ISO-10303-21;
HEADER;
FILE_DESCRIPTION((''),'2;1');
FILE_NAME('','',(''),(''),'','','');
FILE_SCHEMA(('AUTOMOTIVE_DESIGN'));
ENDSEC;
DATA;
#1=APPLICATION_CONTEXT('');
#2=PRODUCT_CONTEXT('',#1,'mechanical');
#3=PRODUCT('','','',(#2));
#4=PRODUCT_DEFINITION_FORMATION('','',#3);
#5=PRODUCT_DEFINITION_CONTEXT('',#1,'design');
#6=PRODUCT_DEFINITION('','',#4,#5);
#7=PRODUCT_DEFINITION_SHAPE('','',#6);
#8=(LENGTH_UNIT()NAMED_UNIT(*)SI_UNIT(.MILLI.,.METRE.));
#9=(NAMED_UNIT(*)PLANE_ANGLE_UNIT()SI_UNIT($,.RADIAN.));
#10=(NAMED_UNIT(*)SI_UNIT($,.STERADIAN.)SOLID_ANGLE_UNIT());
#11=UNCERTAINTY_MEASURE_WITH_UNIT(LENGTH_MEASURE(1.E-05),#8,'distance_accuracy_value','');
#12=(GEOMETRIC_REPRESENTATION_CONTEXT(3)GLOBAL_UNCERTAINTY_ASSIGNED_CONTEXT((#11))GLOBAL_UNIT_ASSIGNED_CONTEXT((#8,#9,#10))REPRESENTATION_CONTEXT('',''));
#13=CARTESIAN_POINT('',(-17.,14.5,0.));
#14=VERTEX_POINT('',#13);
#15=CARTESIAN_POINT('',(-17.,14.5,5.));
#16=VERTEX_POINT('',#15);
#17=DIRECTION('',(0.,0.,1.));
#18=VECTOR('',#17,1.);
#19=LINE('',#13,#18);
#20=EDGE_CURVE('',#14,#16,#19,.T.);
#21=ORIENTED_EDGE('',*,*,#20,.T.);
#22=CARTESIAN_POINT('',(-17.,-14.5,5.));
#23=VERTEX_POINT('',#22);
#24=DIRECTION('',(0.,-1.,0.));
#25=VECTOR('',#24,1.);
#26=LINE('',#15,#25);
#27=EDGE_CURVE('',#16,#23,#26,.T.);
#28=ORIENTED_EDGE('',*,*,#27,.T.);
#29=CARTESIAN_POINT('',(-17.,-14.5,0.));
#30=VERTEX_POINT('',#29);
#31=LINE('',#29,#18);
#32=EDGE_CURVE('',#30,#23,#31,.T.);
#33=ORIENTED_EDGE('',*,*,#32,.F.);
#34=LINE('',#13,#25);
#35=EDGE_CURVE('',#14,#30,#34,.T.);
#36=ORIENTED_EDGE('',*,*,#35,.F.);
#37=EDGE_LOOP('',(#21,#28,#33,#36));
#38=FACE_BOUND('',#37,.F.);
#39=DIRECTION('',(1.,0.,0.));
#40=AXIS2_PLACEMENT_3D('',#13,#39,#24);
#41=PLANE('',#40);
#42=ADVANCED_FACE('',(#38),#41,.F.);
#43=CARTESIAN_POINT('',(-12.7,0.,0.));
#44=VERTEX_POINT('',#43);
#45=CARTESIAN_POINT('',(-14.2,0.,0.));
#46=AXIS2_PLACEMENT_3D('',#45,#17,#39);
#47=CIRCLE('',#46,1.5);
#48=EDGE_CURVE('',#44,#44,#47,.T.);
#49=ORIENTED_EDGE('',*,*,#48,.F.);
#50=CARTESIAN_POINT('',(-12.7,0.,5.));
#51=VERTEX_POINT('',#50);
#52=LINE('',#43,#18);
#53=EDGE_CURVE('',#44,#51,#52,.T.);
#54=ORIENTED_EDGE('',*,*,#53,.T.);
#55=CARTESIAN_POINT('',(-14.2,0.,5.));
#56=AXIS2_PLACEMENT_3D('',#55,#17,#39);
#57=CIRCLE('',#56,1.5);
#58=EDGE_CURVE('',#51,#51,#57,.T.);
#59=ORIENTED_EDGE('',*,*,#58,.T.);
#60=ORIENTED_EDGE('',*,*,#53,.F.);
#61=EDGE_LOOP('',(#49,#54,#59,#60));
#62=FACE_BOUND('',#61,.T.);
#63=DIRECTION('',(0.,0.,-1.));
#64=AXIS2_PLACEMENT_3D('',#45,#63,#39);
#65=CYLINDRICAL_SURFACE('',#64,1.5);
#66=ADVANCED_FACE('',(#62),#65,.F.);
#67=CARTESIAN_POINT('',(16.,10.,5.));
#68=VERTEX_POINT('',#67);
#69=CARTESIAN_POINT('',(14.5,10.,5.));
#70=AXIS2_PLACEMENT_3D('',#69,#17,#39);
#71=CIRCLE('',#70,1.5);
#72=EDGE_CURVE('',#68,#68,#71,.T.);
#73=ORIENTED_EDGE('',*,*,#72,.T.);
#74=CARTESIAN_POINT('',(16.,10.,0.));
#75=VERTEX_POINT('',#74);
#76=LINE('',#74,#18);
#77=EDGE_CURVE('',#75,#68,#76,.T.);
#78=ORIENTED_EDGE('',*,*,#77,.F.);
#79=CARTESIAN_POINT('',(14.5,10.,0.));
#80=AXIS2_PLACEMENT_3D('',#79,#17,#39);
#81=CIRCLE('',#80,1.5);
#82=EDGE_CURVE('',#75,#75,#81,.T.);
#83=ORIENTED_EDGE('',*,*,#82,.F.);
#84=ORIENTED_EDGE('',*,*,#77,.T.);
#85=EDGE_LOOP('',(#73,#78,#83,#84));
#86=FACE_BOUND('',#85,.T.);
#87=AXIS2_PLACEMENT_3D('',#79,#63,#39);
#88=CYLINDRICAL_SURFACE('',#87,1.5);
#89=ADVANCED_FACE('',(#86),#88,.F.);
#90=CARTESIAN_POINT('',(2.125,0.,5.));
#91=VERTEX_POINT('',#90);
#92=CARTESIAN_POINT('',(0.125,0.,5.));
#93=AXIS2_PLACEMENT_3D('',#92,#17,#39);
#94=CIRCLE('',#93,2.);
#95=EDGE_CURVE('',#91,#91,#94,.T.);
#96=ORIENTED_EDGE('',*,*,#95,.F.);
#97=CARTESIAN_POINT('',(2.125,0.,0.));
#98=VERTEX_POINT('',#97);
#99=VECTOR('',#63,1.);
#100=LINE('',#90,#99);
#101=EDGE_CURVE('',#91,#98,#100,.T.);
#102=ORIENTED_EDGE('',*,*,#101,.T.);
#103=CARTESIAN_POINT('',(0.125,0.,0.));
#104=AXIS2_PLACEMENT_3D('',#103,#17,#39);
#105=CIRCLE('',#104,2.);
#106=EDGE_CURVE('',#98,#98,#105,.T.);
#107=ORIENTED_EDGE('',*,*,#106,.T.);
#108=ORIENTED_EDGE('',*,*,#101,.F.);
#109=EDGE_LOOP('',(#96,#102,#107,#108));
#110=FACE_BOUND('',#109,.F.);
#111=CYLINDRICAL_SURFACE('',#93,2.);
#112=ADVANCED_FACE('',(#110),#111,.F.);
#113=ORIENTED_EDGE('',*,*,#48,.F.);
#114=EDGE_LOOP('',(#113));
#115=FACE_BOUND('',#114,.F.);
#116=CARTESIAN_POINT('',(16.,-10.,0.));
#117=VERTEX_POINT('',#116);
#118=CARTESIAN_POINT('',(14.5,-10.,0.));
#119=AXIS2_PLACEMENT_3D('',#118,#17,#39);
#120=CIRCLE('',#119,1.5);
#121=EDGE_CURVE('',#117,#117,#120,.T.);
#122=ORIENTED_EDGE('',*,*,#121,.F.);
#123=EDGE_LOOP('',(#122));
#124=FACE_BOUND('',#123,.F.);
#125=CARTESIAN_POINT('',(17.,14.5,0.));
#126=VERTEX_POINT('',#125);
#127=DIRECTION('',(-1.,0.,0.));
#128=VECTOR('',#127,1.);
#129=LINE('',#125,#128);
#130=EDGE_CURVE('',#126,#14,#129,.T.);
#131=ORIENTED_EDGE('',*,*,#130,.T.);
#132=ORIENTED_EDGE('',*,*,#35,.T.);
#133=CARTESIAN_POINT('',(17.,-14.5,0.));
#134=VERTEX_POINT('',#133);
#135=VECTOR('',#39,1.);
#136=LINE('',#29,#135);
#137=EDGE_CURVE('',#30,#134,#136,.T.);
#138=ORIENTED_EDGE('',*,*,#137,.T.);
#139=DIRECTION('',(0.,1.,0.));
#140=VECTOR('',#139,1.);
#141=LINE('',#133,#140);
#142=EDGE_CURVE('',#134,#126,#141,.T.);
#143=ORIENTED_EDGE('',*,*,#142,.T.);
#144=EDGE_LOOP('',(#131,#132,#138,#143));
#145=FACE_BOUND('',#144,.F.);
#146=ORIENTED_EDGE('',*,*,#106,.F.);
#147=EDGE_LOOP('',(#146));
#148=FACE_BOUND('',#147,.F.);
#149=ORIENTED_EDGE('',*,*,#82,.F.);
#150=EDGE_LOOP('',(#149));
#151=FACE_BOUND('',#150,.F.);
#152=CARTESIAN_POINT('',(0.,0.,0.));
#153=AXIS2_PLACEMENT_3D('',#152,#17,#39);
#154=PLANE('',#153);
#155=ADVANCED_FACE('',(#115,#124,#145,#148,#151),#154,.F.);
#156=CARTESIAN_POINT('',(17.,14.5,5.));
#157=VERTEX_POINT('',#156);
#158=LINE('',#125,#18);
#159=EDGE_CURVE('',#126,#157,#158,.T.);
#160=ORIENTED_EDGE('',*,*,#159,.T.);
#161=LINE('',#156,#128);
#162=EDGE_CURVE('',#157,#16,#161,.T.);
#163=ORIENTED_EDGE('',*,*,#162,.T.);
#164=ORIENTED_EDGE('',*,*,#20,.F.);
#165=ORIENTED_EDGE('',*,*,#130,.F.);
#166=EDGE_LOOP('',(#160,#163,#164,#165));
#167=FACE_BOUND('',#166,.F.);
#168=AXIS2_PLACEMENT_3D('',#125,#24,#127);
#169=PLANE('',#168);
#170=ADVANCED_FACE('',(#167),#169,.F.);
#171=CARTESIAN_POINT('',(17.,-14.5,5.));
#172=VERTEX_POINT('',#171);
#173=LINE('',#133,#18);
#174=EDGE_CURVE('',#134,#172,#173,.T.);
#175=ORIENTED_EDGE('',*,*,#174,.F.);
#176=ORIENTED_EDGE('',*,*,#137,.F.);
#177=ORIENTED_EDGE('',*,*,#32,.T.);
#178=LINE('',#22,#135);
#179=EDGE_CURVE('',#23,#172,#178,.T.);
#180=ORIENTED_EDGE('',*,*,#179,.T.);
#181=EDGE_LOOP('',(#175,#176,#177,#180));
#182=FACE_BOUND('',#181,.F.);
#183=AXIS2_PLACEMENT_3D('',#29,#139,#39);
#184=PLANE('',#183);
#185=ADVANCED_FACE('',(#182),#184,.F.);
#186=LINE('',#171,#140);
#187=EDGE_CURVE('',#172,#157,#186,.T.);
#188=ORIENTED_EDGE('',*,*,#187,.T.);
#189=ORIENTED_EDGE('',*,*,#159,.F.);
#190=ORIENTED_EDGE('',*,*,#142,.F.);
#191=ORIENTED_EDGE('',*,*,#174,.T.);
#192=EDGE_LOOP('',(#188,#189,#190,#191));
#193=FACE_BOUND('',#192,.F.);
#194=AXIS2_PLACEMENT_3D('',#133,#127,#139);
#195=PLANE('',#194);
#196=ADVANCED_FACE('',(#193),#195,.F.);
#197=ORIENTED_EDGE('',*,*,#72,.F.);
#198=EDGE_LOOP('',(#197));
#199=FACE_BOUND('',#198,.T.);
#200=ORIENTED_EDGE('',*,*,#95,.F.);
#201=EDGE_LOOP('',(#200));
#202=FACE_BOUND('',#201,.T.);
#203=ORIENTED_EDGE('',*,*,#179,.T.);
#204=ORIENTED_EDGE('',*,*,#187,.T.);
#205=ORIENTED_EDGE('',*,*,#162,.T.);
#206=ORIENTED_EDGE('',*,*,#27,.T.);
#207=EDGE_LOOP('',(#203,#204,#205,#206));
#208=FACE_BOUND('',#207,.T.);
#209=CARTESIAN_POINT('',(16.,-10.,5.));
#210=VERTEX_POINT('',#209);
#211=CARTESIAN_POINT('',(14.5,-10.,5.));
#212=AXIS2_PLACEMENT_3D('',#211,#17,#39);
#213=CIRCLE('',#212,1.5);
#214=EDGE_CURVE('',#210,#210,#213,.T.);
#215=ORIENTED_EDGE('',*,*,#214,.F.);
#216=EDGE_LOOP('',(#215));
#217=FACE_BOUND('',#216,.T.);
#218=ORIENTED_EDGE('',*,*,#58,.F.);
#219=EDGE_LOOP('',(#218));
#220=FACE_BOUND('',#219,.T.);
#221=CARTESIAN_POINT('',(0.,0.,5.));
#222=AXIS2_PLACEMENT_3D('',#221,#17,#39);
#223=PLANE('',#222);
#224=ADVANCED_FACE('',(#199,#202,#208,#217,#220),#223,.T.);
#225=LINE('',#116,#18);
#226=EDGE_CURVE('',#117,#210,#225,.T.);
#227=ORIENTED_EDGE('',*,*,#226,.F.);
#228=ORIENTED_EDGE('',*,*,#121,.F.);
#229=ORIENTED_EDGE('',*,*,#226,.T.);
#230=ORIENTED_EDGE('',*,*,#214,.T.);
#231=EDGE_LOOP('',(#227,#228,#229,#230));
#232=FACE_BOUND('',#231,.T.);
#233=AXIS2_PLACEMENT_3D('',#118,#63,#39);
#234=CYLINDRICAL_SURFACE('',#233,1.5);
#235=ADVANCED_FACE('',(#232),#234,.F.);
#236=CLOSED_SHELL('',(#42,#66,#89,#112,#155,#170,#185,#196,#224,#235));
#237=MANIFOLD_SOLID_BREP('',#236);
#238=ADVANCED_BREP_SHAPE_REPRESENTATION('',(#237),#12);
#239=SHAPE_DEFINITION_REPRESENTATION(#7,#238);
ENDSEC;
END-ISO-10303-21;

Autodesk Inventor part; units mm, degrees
ref_plane "YZ Plane" through (0, 0, 0) normal (1, 0, 0) x (0, 1, 0)
ref_plane "XZ Plane" through (0, 0, 0) normal (0, 1, 0) x (-1, 0, 0)
ref_plane "XY Plane" through (0, 0, 0) normal (0, 0, 1) x (1, 0, 0)
sketch "Sketch1" plane through (0, 0, 0) normal (0, 0, 1) x (1, 0, 0)
  point P0 (0, 0)
sketch "Sketch2" plane through (0, 0, 0) normal (0, 0, 1) x (1, 0, 0)
  line L0 (-17, -14.5) -> (17, -14.5)
  line L1 (17, -14.5) -> (17, 14.5)
  line L2 (17, 14.5) -> (-17, 14.5)
  line L3 (-17, 14.5) -> (-17, -14.5)
  circle A0 centre (14.5, 10) radius 1.5
  circle A1 centre (14.5, -10) radius 1.5
  circle A2 centre (-14.2, 0) radius 1.5
  point P0 (0, 0)
  dimension "d0" = 34
  dimension "d1" = 29
  dimension "d2" = 3
  dimension "d3" = 3
  dimension "d4" = 3
  dimension "d5" = 20
  dimension "d6" = 2.5
  dimension "d7" = 14.5
  dimension "d8" = 28.7
extrude "Extrusion1" add sketch "Sketch2" along normal blind 5
thread "Thread1" size "M3x0.5" class "6H" standard "ANSI Metric M Profile" length 5
thread "Thread2" size "M3x0.5" class "6H" standard "ANSI Metric M Profile" length 5
thread "Thread3" size "M3x0.5" class "6H" standard "ANSI Metric M Profile" length 5
sketch "Sketch3" plane through (0, 0, 5) normal (0, 0, 1) x (1, 0, 0)
  line L0 (-7.3481, 13.6395) -> (7.272, 13.6395) construction
  line L1 (7.272, 13.6395) -> (7.272, 4.876) construction
  line L2 (7.272, 4.876) -> (-7.3481, 4.876) construction
  line L3 (-7.3481, 4.876) -> (-7.3481, 13.6395) construction
  point P0 (0, 0)
  dimension "d0" = 34
  dimension "d1" = 29
  dimension "d2" = 3
  dimension "d3" = 3
  dimension "d4" = 3
  dimension "d5" = 20
  dimension "d6" = 2.5
  dimension "d7" = 14.5
  dimension "d8" = 28.7
sketch "Sketch4" plane through (0, 0, 5) normal (0, 0, 1) x (1, 0, 0)
  circle A0 centre (0.125, 0) radius 2
  circle A1 centre (14.5, 10) radius 1.5 projected
  circle A2 centre (-14.2, 0) radius 1.5 projected
  dimension "d18" = 4
  dimension "d21" = 14.375
extrude "Extrusion2" cut sketch "Sketch4" against normal blind 5 contours A0
thread "Thread4" size "M4x0.5" class "6H" standard "ANSI Metric M Profile" length 5
properties material "ABS Plastic"
